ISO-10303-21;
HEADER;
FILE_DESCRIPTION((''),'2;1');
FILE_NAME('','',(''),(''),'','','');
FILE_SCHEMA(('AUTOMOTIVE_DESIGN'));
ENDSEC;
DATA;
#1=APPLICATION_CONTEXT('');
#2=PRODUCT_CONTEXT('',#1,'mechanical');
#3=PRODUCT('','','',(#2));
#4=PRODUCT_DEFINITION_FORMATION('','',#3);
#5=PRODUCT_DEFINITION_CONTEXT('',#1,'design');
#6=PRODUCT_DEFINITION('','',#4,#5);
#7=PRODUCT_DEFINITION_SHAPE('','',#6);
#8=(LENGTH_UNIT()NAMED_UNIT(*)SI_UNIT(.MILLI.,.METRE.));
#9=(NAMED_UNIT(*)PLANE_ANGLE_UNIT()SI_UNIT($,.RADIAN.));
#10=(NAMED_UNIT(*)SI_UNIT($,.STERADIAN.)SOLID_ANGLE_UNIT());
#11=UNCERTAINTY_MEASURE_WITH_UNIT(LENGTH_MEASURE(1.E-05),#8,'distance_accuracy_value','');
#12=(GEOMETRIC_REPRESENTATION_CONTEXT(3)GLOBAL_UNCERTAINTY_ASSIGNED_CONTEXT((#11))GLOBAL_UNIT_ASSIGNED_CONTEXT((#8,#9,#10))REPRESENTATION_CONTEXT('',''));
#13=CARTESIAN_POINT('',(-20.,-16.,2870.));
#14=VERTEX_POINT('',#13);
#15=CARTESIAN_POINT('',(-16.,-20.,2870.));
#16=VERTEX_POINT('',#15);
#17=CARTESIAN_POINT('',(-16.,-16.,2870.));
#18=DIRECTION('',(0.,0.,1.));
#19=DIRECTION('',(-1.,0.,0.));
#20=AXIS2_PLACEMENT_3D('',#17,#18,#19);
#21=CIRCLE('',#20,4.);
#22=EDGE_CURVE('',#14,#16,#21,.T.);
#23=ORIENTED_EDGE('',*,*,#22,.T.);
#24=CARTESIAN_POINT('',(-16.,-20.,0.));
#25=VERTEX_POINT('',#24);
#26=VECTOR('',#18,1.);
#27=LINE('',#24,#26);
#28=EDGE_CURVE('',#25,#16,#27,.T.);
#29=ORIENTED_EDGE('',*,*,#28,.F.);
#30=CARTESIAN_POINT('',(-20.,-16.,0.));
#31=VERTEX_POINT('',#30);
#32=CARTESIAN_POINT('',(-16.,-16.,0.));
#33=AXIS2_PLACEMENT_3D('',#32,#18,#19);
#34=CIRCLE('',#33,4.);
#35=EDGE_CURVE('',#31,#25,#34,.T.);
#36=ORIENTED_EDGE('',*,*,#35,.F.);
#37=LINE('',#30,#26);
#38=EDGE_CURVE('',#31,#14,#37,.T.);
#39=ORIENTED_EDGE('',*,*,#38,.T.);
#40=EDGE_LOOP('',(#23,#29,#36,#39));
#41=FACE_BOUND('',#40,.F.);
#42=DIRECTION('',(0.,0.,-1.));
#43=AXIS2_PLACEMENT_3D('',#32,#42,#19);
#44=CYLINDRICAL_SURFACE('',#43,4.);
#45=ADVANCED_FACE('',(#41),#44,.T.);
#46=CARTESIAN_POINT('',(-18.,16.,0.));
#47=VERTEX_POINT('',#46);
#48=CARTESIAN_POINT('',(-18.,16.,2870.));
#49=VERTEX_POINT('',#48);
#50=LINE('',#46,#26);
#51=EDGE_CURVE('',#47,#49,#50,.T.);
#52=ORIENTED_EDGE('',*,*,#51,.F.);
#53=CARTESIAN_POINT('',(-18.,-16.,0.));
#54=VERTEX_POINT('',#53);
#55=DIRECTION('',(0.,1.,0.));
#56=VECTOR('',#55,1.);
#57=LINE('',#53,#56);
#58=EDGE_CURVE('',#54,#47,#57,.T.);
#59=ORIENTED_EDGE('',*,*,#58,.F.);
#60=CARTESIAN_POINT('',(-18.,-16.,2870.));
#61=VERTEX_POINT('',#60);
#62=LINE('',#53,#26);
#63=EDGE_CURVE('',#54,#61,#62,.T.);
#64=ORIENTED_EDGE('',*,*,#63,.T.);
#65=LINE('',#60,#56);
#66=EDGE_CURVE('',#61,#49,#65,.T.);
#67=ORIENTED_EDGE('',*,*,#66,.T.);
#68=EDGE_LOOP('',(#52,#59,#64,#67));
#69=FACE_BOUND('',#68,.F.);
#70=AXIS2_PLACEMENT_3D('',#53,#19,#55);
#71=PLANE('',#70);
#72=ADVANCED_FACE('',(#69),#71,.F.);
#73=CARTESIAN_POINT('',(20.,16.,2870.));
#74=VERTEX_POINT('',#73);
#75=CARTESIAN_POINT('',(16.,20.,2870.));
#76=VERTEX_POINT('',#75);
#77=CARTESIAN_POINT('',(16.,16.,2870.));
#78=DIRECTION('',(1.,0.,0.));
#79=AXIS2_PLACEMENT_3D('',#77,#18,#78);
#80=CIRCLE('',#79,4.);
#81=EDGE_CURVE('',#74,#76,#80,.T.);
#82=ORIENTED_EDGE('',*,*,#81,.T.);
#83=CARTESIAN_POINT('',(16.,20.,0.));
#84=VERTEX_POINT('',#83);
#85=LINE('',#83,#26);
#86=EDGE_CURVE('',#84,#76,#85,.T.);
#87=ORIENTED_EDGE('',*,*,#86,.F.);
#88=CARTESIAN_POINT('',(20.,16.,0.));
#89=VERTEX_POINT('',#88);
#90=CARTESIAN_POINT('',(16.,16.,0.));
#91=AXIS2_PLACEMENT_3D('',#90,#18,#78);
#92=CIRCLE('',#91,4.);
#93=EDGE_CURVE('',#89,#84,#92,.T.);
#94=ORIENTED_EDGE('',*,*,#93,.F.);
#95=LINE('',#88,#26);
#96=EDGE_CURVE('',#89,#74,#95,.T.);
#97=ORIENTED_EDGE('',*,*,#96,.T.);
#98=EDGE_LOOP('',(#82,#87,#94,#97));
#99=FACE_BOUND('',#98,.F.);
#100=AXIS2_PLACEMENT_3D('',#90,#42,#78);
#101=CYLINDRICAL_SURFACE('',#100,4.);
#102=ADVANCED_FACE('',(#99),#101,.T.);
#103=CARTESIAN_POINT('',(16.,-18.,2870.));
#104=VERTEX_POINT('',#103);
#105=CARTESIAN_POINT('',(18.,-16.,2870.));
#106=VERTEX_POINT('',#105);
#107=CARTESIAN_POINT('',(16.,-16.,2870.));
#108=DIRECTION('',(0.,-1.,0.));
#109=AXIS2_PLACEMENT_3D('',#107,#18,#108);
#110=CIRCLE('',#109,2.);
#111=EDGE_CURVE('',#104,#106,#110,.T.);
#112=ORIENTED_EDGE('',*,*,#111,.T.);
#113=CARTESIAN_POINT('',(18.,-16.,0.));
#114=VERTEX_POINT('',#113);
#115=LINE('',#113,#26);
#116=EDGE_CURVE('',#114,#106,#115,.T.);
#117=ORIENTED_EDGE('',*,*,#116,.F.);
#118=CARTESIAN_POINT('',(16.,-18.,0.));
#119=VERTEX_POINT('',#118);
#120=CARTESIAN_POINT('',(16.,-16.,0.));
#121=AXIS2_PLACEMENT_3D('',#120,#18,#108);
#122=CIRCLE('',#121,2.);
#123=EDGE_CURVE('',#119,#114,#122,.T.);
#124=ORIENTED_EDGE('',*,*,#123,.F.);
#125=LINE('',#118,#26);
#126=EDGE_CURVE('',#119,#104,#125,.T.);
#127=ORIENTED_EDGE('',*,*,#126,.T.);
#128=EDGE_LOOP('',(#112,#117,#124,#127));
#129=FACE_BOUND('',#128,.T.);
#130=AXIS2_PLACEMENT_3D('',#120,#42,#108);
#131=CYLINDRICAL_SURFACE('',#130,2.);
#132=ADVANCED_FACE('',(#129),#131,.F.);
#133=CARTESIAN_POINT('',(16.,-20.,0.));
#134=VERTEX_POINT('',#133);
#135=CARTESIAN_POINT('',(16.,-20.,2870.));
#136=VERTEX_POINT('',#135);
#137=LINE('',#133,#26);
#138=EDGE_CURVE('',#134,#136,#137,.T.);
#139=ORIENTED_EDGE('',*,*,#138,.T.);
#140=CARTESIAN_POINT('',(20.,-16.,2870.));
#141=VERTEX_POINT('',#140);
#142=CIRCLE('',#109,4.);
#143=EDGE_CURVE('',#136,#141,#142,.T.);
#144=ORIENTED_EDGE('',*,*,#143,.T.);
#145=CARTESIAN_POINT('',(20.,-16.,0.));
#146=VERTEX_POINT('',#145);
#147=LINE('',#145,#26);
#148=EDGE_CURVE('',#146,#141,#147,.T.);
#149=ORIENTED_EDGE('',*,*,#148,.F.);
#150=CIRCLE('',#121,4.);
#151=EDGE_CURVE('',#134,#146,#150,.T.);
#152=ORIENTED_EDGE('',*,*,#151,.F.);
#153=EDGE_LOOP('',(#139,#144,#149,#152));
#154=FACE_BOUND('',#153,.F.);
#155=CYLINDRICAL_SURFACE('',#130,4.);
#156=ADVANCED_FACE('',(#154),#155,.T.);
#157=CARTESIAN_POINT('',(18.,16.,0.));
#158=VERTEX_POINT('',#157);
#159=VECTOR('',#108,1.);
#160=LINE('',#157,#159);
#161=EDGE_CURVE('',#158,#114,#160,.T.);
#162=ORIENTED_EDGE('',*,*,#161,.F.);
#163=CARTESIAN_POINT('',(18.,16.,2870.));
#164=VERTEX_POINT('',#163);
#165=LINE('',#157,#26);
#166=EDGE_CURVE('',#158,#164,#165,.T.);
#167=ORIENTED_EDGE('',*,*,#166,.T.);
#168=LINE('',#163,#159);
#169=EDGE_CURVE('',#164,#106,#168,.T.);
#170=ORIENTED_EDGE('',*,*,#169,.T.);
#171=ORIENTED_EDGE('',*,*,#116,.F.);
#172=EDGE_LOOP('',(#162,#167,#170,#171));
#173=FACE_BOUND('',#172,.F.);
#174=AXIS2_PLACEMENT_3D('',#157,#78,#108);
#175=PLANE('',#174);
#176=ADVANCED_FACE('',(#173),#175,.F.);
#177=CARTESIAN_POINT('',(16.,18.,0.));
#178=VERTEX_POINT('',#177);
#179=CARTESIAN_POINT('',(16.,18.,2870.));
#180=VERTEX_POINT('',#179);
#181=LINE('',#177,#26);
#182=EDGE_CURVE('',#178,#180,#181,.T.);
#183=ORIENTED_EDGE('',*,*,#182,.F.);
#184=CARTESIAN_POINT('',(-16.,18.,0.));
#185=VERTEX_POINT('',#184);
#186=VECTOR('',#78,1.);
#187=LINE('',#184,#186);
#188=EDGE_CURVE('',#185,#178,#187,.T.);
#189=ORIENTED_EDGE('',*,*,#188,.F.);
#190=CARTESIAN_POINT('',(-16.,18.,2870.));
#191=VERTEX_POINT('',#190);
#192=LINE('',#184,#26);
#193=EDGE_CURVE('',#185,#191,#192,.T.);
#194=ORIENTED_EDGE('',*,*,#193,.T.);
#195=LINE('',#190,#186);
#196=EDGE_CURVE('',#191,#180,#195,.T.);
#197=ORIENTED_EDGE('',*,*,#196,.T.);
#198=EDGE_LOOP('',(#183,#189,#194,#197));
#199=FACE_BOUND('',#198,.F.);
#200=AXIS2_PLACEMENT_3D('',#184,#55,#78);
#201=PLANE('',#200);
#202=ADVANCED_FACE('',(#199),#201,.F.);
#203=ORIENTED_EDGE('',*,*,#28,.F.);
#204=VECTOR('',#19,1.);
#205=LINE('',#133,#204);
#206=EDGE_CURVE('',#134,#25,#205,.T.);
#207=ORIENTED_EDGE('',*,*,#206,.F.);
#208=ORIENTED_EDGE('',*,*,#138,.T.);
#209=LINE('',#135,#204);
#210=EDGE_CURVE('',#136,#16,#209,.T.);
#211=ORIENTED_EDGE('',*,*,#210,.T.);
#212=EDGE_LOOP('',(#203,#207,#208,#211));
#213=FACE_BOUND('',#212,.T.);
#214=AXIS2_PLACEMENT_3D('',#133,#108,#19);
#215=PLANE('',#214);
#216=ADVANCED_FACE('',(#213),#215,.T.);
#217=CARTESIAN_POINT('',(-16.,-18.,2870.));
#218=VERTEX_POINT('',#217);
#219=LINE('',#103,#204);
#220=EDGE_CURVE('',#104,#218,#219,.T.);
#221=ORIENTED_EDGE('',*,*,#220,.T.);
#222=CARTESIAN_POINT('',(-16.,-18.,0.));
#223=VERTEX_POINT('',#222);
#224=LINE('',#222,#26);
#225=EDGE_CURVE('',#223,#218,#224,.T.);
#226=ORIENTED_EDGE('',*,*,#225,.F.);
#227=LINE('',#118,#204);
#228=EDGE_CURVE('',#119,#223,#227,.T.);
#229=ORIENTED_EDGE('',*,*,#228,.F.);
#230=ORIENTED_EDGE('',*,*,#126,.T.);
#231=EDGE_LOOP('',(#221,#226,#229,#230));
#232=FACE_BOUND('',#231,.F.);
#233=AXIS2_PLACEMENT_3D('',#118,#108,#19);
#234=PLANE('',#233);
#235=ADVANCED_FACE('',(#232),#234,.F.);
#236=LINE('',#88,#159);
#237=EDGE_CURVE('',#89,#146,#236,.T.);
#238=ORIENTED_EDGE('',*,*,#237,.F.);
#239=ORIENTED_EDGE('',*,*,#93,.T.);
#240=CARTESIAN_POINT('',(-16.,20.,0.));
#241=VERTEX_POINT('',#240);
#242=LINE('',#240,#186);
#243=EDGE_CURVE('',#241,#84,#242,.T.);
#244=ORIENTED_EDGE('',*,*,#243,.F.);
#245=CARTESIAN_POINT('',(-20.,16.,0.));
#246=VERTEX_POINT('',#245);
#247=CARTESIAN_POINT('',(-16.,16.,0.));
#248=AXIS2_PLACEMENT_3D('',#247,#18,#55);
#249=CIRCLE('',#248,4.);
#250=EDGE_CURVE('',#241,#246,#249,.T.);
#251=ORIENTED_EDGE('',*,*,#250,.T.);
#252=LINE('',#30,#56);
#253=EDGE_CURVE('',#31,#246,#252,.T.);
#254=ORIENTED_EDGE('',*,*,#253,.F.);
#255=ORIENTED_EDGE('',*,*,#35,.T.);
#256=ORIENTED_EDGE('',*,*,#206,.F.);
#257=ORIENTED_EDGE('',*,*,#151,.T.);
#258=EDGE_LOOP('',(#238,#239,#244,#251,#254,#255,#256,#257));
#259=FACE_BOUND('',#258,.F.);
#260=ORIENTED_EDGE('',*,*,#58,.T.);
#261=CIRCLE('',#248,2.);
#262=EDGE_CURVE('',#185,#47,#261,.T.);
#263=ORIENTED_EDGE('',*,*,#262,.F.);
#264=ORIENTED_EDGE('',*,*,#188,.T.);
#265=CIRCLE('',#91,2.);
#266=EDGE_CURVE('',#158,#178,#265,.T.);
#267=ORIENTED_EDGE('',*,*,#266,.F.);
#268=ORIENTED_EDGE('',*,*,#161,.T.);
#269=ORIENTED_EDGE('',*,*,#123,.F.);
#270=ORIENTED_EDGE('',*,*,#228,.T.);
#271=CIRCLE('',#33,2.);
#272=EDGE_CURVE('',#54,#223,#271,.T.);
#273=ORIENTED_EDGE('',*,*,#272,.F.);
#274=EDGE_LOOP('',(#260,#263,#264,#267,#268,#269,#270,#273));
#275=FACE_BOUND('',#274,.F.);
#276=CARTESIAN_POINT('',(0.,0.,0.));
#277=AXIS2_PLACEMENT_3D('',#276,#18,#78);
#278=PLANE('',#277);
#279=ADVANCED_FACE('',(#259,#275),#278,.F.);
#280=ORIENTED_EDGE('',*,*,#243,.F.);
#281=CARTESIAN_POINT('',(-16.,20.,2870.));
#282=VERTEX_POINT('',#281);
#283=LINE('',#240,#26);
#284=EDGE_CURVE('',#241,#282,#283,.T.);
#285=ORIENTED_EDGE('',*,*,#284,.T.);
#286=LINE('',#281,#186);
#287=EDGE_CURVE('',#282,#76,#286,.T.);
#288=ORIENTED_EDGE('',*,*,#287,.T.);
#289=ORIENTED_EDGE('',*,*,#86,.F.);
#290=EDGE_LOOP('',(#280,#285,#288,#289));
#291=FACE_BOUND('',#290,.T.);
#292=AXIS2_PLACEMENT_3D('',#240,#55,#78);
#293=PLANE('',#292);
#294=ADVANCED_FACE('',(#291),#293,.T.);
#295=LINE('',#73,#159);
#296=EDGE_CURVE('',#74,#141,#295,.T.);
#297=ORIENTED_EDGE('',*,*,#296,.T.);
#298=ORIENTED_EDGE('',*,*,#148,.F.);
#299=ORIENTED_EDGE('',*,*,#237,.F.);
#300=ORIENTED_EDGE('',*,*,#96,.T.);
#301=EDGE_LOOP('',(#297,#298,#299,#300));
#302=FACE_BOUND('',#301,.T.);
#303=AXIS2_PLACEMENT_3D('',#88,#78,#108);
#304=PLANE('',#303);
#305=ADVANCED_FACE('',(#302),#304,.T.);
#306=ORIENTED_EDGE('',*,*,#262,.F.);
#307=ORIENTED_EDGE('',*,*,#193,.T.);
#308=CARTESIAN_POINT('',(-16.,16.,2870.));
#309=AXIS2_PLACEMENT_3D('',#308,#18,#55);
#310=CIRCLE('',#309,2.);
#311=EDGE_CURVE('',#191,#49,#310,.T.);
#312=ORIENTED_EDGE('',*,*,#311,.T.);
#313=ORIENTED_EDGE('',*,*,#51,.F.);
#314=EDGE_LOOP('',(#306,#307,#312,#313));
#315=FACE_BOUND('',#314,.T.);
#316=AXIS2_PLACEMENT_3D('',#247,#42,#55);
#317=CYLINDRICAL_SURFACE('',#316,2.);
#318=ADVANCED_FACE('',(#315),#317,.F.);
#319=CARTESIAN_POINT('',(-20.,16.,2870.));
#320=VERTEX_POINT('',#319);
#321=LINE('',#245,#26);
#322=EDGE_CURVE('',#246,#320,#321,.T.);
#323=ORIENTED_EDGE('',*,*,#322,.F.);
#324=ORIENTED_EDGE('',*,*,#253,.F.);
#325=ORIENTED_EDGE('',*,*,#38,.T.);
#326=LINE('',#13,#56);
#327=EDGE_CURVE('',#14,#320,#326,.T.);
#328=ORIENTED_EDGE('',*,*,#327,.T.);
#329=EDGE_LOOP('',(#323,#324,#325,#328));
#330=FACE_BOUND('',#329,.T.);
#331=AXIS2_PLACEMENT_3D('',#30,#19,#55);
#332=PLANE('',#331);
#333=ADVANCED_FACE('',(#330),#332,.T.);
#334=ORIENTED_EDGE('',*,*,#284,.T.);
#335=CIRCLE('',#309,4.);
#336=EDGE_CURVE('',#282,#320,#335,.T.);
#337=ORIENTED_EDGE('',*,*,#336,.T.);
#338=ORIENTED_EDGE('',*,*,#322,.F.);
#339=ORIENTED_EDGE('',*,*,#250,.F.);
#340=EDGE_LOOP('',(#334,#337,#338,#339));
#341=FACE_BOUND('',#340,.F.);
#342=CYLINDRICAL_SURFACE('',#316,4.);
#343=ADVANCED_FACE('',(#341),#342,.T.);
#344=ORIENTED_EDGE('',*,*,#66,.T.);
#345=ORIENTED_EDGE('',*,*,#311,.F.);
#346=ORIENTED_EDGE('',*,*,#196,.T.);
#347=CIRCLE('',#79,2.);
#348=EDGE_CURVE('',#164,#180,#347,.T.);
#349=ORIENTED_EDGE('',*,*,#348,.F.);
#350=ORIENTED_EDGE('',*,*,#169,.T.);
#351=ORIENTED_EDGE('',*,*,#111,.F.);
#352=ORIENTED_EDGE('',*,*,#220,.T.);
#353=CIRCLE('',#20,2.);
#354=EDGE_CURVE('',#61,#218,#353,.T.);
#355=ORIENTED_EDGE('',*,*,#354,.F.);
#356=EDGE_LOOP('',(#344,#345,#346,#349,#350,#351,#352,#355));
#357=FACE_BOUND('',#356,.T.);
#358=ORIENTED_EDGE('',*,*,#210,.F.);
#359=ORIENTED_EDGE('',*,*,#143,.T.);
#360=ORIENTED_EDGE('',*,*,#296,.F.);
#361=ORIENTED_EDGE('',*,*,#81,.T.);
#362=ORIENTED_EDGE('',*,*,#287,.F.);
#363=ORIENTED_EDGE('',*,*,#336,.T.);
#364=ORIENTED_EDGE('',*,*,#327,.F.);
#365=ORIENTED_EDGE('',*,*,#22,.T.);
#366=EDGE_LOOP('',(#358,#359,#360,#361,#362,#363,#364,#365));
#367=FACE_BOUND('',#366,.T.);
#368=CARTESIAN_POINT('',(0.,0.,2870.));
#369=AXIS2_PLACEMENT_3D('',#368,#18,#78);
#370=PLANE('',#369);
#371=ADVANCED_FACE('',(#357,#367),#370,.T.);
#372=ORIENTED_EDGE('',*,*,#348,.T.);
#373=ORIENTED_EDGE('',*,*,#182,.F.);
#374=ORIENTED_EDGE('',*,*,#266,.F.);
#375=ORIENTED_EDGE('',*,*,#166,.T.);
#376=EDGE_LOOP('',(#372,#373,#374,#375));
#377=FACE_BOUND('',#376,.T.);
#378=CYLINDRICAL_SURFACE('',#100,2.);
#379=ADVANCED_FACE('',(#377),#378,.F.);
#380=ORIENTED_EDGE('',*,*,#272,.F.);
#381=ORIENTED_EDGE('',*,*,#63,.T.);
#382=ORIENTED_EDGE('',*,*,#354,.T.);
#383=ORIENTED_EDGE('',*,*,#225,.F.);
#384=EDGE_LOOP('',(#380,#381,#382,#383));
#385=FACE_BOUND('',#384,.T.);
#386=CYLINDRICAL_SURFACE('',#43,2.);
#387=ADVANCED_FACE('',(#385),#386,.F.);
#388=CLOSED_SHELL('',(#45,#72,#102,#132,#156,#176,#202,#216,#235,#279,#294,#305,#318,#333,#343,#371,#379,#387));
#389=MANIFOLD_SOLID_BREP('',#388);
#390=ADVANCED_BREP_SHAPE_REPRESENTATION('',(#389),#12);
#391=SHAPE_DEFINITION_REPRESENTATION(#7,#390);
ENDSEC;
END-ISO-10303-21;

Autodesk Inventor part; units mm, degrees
ref_plane "YZ Plane" through (0, 0, 0) normal (1, 0, 0) x (0, 1, 0)
ref_plane "Start Plane" through (0, 0, 0) normal (0, 0, 1) x (1, 0, 0)
ref_plane "End Plane" through (0, 0, 2870) normal (0, 0, 1) x (1, 0, 0)
sketch "Sketch" plane through (0, 0, 0) normal (0, 0, 1) x (1, 0, 0)
  line L0 (-20, -16) -> (-20, 16)
  line L1 (-16, 20) -> (16, 20)
  line L2 (20, 16) -> (20, -16)
  line L3 (16, -20) -> (-16, -20)
  arc A0 (-20, -16) -> (-16, -20) centre (-16, -16) ccw
  arc A1 (20, 16) -> (16, 20) centre (16, 16) ccw
  arc A2 (-16, 20) -> (-20, 16) centre (-16, 16) ccw
  arc A3 (16, -20) -> (20, -16) centre (16, -16) ccw
  arc A4 (-16, 18) -> (-18, 16) centre (-16, 16) ccw
  line L4 (-16, 18) -> (16, 18)
  arc A5 (18, 16) -> (16, 18) centre (16, 16) ccw
  line L5 (18, 16) -> (18, -16)
  arc A6 (16, -18) -> (18, -16) centre (16, -16) ccw
  line L6 (16, -18) -> (-16, -18)
  arc A7 (-18, -16) -> (-16, -18) centre (-16, -16) ccw
  line L7 (-18, -16) -> (-18, 16)
  line L8 (0, 29.1598) -> (0, -29.1598) construction
  line L9 (-29.1598, 0) -> (29.1598, 0) construction
  dimension "d7" = 4
  dimension "d9" = 40
  dimension "d11" = 40
  dimension "d12" = 2
  dimension "d15" = 20
  dimension "d16" = 20
extrude "Body" add sketch "Sketch" along normal up to surface (2870 mm away) from surface at 0
sketch "Sketch3" plane through (0, 0, 0) normal (0, 0, 1) x (1, 0, 0)
  line L0 (0, 0) -> (10, 0)
ref_plane "Work Plane3" through (0, 0, 0) normal (0, -1, 0) x (1, 0, 0)
sketch "Sketch4" plane through (0, 0, 0) normal (0, -1, 0) x (1, 0, 0)
  line L0 (-2, 0) -> (12, 0) projected
  line L1 (-2, 2870) -> (12, 2870) projected
  dimension "d18" = 2870
equation "\"d7\" = G_IR"
equation "\"d9\" = G_W"
equation "\"d11\" = G_H"
equation "\"d12\" = G_T"
equation "\"d15\" = 0.5 * d9"
equation "\"d16\" = 0.5 * d11"
equation "\"d3\" = G_L"
equation "\"G_W\" = 40"
equation "\"G_H\" = 40"
equation "\"G_T\" = 2"
equation "\"G_IR\" = 4"
equation "\"G_L\" = d18"
equation "\"G_OFFSET_START\" = 0"
equation "\"G_OFFSET_END\" = 0"
properties part number "ISO 10799-2 - 40x40x2 - 2870" material "Steel, Mild"
